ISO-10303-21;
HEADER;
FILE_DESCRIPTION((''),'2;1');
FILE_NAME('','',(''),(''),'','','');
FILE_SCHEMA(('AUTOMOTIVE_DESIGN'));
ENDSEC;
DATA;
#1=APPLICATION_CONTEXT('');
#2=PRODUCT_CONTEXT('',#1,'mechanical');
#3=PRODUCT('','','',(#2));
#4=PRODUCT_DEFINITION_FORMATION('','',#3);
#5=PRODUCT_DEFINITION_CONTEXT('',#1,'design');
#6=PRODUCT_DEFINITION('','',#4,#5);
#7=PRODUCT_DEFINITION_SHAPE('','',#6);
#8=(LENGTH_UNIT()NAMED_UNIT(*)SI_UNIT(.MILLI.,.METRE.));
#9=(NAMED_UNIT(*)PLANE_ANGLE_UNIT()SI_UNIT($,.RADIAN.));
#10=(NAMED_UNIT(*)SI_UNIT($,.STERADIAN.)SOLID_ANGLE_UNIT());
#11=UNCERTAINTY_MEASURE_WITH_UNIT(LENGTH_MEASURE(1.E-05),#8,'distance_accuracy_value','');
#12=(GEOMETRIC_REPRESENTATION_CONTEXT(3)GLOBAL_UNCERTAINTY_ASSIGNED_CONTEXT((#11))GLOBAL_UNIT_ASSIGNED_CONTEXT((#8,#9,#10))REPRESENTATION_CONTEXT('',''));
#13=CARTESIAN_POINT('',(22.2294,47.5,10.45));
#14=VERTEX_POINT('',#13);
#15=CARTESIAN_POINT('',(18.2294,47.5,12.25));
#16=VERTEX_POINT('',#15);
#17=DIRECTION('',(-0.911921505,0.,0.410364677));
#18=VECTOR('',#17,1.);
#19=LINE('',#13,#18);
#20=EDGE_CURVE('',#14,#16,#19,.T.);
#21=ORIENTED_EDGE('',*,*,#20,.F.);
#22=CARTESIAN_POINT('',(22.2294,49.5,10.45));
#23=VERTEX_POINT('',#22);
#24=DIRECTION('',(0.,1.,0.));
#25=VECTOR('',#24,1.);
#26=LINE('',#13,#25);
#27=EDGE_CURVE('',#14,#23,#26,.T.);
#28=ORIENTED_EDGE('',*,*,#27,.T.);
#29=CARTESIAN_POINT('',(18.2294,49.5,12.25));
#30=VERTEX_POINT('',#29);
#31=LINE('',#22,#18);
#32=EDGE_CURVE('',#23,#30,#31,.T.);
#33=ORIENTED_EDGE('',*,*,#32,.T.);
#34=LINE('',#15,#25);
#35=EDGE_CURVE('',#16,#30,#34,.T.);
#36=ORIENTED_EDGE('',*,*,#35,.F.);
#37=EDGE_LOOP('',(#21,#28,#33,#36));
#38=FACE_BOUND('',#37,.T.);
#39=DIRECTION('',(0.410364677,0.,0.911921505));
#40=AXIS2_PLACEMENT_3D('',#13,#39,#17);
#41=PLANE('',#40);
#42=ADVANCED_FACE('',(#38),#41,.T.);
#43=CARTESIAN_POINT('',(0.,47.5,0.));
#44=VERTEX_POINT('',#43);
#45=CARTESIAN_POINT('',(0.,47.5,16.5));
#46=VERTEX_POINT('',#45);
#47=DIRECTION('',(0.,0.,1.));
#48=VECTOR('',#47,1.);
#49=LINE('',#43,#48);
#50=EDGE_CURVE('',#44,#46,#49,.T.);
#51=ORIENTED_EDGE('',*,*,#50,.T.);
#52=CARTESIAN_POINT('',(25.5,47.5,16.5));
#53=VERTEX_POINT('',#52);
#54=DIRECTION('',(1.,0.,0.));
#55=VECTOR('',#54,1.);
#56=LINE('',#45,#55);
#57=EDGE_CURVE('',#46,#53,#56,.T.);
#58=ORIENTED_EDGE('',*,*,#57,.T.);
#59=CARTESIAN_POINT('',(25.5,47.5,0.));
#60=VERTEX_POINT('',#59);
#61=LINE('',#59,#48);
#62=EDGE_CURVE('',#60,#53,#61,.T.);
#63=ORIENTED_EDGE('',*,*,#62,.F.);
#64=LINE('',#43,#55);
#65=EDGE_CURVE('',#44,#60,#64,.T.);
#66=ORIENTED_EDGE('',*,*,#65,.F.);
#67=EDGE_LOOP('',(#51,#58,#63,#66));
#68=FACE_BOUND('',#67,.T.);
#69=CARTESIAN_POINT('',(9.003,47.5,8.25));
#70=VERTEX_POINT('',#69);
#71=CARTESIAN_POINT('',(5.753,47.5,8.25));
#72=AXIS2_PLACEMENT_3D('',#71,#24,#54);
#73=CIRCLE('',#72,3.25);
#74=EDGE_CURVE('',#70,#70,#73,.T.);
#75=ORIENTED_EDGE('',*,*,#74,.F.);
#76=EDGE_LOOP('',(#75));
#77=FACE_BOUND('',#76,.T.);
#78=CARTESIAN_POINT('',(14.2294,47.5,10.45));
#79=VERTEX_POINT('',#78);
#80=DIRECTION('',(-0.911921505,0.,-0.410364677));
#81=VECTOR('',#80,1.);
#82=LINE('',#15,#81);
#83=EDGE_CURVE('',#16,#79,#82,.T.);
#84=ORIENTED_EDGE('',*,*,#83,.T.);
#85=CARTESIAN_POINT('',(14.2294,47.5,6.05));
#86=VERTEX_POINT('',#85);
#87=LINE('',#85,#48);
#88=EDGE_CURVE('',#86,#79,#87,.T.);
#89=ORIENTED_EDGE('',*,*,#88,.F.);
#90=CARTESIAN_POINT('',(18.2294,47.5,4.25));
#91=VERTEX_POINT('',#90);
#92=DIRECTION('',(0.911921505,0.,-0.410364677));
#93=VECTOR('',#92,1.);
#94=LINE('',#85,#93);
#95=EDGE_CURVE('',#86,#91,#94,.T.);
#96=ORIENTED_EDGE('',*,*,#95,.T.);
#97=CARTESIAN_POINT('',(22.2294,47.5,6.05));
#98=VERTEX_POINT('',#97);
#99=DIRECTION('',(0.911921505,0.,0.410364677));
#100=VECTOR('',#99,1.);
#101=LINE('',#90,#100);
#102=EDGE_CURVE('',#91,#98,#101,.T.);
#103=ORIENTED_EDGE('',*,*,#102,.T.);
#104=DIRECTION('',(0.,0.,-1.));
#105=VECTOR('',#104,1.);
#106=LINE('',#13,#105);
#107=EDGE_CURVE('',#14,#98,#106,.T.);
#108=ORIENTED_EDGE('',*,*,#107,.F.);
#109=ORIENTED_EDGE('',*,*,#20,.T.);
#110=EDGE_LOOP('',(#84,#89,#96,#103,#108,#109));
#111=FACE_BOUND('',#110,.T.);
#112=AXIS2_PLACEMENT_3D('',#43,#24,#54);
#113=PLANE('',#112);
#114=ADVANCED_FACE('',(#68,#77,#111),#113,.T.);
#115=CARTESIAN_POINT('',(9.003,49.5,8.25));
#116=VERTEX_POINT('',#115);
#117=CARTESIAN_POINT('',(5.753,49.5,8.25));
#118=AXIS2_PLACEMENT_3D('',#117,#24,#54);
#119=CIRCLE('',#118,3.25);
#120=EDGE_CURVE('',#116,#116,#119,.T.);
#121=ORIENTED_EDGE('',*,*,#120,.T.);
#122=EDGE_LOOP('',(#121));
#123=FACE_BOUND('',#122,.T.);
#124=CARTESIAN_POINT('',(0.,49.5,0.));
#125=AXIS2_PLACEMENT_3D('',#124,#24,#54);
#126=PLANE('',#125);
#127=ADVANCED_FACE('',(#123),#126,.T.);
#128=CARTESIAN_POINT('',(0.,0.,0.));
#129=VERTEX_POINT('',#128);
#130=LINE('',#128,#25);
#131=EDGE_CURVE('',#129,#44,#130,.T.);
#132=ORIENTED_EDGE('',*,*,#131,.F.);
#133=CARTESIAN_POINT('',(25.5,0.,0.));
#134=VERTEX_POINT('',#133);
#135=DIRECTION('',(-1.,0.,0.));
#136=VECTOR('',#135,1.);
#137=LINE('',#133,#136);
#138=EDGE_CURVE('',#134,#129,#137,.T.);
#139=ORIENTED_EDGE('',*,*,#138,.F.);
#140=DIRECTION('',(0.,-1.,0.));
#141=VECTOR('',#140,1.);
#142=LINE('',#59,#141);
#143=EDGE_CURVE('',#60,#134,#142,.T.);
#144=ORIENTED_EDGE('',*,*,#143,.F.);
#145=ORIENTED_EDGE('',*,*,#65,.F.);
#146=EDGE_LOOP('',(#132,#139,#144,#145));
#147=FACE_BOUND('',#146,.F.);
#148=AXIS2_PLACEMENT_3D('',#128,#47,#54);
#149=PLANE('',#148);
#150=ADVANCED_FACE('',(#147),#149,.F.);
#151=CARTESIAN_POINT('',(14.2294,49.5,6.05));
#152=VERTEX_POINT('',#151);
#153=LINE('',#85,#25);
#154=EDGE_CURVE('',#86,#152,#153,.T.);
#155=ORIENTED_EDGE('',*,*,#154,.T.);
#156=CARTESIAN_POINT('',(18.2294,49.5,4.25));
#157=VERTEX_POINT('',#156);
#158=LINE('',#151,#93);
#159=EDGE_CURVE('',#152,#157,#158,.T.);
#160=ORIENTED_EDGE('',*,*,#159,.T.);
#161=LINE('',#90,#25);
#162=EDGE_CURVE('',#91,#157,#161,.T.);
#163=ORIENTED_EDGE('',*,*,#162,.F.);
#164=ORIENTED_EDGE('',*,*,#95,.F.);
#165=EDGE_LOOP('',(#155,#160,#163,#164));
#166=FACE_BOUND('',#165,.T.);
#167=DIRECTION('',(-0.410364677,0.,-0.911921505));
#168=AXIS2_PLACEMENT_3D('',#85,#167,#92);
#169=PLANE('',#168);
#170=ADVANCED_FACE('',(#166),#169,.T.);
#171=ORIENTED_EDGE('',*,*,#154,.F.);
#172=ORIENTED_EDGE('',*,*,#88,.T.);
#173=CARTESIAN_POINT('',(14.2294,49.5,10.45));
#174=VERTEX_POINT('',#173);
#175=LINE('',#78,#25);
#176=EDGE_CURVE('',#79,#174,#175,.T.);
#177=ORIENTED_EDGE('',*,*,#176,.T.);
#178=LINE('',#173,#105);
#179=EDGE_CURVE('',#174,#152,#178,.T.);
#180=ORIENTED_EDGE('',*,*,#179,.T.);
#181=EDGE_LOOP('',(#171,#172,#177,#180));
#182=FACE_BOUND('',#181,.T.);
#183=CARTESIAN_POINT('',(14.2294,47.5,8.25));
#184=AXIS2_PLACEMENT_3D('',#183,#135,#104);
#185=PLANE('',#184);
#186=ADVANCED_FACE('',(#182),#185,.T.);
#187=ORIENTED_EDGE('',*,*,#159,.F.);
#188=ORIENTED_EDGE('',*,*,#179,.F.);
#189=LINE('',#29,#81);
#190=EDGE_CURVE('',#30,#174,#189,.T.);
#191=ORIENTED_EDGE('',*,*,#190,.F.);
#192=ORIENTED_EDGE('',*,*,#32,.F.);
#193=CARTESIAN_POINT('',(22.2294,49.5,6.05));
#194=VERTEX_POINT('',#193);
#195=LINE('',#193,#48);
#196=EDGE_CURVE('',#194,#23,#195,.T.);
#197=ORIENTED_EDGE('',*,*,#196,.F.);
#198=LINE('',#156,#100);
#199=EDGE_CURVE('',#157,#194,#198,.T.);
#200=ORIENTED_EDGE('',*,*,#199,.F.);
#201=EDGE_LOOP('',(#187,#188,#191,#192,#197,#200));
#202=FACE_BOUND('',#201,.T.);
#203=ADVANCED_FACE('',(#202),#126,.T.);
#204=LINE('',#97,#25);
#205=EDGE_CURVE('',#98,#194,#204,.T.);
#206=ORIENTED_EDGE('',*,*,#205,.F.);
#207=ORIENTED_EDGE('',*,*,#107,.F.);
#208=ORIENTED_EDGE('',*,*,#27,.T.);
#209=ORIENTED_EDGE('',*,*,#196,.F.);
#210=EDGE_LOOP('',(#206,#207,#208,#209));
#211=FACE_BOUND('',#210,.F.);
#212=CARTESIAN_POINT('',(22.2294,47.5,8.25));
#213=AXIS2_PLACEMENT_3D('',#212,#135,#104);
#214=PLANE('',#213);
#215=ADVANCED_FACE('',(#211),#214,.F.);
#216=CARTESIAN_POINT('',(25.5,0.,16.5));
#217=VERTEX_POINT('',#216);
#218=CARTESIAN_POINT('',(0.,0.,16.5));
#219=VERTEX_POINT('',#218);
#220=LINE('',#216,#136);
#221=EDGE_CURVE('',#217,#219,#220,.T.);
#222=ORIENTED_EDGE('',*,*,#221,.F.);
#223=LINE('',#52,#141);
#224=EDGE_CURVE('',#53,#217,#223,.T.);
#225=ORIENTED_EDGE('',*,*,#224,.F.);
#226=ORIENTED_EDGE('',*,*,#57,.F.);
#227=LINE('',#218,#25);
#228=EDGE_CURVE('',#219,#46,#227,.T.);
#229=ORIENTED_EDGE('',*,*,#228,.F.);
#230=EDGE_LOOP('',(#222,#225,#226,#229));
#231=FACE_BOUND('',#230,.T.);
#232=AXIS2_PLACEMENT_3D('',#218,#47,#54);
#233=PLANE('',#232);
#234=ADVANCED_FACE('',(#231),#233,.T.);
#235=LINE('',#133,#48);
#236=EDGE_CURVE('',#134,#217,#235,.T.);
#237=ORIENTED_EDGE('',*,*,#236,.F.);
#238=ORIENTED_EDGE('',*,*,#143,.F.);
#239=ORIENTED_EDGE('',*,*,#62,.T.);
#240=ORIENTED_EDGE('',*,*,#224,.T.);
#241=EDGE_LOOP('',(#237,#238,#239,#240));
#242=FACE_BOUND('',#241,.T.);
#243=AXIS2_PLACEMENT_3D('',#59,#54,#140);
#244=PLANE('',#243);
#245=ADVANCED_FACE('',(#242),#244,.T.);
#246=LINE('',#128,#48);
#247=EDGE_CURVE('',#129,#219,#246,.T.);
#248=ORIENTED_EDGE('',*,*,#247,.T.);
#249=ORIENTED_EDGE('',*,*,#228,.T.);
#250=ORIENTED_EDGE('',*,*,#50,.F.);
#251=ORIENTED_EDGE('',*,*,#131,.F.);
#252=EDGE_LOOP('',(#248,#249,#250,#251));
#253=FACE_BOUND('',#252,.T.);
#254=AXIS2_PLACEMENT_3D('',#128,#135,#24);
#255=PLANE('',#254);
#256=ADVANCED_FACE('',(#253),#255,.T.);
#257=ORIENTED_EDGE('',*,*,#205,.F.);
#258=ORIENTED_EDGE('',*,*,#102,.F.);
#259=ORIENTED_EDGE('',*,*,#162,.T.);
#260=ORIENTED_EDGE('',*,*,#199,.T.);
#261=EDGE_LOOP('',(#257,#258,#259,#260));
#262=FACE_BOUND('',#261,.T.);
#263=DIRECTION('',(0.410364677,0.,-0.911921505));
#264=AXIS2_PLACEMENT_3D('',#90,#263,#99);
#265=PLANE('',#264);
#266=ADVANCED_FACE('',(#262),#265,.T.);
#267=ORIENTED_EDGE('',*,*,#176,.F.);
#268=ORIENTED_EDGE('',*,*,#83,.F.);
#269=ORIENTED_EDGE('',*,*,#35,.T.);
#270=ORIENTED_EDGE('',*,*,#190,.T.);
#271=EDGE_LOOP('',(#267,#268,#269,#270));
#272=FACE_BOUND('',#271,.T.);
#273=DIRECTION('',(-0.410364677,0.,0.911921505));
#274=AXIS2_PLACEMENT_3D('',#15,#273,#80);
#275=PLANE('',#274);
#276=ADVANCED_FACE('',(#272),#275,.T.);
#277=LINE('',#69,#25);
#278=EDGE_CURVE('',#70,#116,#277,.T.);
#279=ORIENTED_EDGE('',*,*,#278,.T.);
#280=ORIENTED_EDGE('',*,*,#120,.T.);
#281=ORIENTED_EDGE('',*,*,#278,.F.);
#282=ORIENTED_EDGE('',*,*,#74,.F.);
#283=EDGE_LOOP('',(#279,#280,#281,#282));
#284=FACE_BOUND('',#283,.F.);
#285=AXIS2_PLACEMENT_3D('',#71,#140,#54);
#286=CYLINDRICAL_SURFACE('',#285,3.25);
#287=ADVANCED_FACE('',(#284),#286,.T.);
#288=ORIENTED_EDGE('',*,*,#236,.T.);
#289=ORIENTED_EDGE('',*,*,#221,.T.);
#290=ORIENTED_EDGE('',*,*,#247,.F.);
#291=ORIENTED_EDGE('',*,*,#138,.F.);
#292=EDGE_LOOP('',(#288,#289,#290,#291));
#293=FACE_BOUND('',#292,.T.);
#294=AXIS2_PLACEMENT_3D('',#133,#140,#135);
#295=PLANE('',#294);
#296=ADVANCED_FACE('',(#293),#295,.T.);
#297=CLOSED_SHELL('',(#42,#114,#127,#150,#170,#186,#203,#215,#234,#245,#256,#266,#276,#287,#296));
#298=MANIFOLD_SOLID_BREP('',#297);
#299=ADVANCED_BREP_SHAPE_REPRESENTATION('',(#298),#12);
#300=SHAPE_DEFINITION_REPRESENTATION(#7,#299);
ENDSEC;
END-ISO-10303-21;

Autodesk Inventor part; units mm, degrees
ref_plane "YZ Plane" through (0, 0, 0) normal (1, 0, 0) x (0, 1, 0)
ref_plane "XZ Plane" through (0, 0, 0) normal (0, 1, 0) x (-1, 0, 0)
ref_plane "XY Plane" through (0, 0, 0) normal (0, 0, 1) x (1, 0, 0)
sketch "Esquisse1" plane through (0, 0, 0) normal (0, 0, 1) x (1, 0, 0)
  line L0 (0, 0) -> (0, 47.5)
  line L1 (0, 47.5) -> (25.5, 47.5)
  line L2 (25.5, 47.5) -> (25.5, 0)
  line L3 (25.5, 0) -> (0, 0)
  dimension "d0" = 47.5
  dimension "d1" = 25.5
extrude "Extrusion1" add sketch "Esquisse1" along normal blind 16.5
sketch "Esquisse2" plane through (0, 47.5, 0) normal (0, 1, 0) x (1, 0, 0)
  line L0 (0, 0) -> (0, -16.5) projected
  line L1 (25.5, 0) -> (25.5, -16.5) projected
  circle A0 centre (5.753, -8.25) radius 3.25
  line L2 (25.5, -8.25) -> (18.2294, -8.25)
  line L3 (14.2294, -8.25) -> (14.2294, -6.05)
  line L4 (14.2294, -8.25) -> (14.2294, -10.45)
  line L5 (22.2294, -8.25) -> (22.2294, -6.05)
  line L6 (22.2294, -8.25) -> (22.2294, -10.45)
  line L7 (22.2294, -10.45) -> (18.2294, -12.25)
  line L8 (18.2294, -12.25) -> (14.2294, -10.45)
  line L9 (14.2294, -6.05) -> (18.2294, -4.25)
  line L10 (18.2294, -4.25) -> (22.2294, -6.05)
  dimension "d4" = 6.5
  dimension "d6" = 2.2
  dimension "d7" = 2.2
  dimension "d8" = 2.2
  dimension "d9" = 2.2
extrude "Extrusion2" add sketch "Esquisse2" along normal blind 2
properties part number "Pile"
